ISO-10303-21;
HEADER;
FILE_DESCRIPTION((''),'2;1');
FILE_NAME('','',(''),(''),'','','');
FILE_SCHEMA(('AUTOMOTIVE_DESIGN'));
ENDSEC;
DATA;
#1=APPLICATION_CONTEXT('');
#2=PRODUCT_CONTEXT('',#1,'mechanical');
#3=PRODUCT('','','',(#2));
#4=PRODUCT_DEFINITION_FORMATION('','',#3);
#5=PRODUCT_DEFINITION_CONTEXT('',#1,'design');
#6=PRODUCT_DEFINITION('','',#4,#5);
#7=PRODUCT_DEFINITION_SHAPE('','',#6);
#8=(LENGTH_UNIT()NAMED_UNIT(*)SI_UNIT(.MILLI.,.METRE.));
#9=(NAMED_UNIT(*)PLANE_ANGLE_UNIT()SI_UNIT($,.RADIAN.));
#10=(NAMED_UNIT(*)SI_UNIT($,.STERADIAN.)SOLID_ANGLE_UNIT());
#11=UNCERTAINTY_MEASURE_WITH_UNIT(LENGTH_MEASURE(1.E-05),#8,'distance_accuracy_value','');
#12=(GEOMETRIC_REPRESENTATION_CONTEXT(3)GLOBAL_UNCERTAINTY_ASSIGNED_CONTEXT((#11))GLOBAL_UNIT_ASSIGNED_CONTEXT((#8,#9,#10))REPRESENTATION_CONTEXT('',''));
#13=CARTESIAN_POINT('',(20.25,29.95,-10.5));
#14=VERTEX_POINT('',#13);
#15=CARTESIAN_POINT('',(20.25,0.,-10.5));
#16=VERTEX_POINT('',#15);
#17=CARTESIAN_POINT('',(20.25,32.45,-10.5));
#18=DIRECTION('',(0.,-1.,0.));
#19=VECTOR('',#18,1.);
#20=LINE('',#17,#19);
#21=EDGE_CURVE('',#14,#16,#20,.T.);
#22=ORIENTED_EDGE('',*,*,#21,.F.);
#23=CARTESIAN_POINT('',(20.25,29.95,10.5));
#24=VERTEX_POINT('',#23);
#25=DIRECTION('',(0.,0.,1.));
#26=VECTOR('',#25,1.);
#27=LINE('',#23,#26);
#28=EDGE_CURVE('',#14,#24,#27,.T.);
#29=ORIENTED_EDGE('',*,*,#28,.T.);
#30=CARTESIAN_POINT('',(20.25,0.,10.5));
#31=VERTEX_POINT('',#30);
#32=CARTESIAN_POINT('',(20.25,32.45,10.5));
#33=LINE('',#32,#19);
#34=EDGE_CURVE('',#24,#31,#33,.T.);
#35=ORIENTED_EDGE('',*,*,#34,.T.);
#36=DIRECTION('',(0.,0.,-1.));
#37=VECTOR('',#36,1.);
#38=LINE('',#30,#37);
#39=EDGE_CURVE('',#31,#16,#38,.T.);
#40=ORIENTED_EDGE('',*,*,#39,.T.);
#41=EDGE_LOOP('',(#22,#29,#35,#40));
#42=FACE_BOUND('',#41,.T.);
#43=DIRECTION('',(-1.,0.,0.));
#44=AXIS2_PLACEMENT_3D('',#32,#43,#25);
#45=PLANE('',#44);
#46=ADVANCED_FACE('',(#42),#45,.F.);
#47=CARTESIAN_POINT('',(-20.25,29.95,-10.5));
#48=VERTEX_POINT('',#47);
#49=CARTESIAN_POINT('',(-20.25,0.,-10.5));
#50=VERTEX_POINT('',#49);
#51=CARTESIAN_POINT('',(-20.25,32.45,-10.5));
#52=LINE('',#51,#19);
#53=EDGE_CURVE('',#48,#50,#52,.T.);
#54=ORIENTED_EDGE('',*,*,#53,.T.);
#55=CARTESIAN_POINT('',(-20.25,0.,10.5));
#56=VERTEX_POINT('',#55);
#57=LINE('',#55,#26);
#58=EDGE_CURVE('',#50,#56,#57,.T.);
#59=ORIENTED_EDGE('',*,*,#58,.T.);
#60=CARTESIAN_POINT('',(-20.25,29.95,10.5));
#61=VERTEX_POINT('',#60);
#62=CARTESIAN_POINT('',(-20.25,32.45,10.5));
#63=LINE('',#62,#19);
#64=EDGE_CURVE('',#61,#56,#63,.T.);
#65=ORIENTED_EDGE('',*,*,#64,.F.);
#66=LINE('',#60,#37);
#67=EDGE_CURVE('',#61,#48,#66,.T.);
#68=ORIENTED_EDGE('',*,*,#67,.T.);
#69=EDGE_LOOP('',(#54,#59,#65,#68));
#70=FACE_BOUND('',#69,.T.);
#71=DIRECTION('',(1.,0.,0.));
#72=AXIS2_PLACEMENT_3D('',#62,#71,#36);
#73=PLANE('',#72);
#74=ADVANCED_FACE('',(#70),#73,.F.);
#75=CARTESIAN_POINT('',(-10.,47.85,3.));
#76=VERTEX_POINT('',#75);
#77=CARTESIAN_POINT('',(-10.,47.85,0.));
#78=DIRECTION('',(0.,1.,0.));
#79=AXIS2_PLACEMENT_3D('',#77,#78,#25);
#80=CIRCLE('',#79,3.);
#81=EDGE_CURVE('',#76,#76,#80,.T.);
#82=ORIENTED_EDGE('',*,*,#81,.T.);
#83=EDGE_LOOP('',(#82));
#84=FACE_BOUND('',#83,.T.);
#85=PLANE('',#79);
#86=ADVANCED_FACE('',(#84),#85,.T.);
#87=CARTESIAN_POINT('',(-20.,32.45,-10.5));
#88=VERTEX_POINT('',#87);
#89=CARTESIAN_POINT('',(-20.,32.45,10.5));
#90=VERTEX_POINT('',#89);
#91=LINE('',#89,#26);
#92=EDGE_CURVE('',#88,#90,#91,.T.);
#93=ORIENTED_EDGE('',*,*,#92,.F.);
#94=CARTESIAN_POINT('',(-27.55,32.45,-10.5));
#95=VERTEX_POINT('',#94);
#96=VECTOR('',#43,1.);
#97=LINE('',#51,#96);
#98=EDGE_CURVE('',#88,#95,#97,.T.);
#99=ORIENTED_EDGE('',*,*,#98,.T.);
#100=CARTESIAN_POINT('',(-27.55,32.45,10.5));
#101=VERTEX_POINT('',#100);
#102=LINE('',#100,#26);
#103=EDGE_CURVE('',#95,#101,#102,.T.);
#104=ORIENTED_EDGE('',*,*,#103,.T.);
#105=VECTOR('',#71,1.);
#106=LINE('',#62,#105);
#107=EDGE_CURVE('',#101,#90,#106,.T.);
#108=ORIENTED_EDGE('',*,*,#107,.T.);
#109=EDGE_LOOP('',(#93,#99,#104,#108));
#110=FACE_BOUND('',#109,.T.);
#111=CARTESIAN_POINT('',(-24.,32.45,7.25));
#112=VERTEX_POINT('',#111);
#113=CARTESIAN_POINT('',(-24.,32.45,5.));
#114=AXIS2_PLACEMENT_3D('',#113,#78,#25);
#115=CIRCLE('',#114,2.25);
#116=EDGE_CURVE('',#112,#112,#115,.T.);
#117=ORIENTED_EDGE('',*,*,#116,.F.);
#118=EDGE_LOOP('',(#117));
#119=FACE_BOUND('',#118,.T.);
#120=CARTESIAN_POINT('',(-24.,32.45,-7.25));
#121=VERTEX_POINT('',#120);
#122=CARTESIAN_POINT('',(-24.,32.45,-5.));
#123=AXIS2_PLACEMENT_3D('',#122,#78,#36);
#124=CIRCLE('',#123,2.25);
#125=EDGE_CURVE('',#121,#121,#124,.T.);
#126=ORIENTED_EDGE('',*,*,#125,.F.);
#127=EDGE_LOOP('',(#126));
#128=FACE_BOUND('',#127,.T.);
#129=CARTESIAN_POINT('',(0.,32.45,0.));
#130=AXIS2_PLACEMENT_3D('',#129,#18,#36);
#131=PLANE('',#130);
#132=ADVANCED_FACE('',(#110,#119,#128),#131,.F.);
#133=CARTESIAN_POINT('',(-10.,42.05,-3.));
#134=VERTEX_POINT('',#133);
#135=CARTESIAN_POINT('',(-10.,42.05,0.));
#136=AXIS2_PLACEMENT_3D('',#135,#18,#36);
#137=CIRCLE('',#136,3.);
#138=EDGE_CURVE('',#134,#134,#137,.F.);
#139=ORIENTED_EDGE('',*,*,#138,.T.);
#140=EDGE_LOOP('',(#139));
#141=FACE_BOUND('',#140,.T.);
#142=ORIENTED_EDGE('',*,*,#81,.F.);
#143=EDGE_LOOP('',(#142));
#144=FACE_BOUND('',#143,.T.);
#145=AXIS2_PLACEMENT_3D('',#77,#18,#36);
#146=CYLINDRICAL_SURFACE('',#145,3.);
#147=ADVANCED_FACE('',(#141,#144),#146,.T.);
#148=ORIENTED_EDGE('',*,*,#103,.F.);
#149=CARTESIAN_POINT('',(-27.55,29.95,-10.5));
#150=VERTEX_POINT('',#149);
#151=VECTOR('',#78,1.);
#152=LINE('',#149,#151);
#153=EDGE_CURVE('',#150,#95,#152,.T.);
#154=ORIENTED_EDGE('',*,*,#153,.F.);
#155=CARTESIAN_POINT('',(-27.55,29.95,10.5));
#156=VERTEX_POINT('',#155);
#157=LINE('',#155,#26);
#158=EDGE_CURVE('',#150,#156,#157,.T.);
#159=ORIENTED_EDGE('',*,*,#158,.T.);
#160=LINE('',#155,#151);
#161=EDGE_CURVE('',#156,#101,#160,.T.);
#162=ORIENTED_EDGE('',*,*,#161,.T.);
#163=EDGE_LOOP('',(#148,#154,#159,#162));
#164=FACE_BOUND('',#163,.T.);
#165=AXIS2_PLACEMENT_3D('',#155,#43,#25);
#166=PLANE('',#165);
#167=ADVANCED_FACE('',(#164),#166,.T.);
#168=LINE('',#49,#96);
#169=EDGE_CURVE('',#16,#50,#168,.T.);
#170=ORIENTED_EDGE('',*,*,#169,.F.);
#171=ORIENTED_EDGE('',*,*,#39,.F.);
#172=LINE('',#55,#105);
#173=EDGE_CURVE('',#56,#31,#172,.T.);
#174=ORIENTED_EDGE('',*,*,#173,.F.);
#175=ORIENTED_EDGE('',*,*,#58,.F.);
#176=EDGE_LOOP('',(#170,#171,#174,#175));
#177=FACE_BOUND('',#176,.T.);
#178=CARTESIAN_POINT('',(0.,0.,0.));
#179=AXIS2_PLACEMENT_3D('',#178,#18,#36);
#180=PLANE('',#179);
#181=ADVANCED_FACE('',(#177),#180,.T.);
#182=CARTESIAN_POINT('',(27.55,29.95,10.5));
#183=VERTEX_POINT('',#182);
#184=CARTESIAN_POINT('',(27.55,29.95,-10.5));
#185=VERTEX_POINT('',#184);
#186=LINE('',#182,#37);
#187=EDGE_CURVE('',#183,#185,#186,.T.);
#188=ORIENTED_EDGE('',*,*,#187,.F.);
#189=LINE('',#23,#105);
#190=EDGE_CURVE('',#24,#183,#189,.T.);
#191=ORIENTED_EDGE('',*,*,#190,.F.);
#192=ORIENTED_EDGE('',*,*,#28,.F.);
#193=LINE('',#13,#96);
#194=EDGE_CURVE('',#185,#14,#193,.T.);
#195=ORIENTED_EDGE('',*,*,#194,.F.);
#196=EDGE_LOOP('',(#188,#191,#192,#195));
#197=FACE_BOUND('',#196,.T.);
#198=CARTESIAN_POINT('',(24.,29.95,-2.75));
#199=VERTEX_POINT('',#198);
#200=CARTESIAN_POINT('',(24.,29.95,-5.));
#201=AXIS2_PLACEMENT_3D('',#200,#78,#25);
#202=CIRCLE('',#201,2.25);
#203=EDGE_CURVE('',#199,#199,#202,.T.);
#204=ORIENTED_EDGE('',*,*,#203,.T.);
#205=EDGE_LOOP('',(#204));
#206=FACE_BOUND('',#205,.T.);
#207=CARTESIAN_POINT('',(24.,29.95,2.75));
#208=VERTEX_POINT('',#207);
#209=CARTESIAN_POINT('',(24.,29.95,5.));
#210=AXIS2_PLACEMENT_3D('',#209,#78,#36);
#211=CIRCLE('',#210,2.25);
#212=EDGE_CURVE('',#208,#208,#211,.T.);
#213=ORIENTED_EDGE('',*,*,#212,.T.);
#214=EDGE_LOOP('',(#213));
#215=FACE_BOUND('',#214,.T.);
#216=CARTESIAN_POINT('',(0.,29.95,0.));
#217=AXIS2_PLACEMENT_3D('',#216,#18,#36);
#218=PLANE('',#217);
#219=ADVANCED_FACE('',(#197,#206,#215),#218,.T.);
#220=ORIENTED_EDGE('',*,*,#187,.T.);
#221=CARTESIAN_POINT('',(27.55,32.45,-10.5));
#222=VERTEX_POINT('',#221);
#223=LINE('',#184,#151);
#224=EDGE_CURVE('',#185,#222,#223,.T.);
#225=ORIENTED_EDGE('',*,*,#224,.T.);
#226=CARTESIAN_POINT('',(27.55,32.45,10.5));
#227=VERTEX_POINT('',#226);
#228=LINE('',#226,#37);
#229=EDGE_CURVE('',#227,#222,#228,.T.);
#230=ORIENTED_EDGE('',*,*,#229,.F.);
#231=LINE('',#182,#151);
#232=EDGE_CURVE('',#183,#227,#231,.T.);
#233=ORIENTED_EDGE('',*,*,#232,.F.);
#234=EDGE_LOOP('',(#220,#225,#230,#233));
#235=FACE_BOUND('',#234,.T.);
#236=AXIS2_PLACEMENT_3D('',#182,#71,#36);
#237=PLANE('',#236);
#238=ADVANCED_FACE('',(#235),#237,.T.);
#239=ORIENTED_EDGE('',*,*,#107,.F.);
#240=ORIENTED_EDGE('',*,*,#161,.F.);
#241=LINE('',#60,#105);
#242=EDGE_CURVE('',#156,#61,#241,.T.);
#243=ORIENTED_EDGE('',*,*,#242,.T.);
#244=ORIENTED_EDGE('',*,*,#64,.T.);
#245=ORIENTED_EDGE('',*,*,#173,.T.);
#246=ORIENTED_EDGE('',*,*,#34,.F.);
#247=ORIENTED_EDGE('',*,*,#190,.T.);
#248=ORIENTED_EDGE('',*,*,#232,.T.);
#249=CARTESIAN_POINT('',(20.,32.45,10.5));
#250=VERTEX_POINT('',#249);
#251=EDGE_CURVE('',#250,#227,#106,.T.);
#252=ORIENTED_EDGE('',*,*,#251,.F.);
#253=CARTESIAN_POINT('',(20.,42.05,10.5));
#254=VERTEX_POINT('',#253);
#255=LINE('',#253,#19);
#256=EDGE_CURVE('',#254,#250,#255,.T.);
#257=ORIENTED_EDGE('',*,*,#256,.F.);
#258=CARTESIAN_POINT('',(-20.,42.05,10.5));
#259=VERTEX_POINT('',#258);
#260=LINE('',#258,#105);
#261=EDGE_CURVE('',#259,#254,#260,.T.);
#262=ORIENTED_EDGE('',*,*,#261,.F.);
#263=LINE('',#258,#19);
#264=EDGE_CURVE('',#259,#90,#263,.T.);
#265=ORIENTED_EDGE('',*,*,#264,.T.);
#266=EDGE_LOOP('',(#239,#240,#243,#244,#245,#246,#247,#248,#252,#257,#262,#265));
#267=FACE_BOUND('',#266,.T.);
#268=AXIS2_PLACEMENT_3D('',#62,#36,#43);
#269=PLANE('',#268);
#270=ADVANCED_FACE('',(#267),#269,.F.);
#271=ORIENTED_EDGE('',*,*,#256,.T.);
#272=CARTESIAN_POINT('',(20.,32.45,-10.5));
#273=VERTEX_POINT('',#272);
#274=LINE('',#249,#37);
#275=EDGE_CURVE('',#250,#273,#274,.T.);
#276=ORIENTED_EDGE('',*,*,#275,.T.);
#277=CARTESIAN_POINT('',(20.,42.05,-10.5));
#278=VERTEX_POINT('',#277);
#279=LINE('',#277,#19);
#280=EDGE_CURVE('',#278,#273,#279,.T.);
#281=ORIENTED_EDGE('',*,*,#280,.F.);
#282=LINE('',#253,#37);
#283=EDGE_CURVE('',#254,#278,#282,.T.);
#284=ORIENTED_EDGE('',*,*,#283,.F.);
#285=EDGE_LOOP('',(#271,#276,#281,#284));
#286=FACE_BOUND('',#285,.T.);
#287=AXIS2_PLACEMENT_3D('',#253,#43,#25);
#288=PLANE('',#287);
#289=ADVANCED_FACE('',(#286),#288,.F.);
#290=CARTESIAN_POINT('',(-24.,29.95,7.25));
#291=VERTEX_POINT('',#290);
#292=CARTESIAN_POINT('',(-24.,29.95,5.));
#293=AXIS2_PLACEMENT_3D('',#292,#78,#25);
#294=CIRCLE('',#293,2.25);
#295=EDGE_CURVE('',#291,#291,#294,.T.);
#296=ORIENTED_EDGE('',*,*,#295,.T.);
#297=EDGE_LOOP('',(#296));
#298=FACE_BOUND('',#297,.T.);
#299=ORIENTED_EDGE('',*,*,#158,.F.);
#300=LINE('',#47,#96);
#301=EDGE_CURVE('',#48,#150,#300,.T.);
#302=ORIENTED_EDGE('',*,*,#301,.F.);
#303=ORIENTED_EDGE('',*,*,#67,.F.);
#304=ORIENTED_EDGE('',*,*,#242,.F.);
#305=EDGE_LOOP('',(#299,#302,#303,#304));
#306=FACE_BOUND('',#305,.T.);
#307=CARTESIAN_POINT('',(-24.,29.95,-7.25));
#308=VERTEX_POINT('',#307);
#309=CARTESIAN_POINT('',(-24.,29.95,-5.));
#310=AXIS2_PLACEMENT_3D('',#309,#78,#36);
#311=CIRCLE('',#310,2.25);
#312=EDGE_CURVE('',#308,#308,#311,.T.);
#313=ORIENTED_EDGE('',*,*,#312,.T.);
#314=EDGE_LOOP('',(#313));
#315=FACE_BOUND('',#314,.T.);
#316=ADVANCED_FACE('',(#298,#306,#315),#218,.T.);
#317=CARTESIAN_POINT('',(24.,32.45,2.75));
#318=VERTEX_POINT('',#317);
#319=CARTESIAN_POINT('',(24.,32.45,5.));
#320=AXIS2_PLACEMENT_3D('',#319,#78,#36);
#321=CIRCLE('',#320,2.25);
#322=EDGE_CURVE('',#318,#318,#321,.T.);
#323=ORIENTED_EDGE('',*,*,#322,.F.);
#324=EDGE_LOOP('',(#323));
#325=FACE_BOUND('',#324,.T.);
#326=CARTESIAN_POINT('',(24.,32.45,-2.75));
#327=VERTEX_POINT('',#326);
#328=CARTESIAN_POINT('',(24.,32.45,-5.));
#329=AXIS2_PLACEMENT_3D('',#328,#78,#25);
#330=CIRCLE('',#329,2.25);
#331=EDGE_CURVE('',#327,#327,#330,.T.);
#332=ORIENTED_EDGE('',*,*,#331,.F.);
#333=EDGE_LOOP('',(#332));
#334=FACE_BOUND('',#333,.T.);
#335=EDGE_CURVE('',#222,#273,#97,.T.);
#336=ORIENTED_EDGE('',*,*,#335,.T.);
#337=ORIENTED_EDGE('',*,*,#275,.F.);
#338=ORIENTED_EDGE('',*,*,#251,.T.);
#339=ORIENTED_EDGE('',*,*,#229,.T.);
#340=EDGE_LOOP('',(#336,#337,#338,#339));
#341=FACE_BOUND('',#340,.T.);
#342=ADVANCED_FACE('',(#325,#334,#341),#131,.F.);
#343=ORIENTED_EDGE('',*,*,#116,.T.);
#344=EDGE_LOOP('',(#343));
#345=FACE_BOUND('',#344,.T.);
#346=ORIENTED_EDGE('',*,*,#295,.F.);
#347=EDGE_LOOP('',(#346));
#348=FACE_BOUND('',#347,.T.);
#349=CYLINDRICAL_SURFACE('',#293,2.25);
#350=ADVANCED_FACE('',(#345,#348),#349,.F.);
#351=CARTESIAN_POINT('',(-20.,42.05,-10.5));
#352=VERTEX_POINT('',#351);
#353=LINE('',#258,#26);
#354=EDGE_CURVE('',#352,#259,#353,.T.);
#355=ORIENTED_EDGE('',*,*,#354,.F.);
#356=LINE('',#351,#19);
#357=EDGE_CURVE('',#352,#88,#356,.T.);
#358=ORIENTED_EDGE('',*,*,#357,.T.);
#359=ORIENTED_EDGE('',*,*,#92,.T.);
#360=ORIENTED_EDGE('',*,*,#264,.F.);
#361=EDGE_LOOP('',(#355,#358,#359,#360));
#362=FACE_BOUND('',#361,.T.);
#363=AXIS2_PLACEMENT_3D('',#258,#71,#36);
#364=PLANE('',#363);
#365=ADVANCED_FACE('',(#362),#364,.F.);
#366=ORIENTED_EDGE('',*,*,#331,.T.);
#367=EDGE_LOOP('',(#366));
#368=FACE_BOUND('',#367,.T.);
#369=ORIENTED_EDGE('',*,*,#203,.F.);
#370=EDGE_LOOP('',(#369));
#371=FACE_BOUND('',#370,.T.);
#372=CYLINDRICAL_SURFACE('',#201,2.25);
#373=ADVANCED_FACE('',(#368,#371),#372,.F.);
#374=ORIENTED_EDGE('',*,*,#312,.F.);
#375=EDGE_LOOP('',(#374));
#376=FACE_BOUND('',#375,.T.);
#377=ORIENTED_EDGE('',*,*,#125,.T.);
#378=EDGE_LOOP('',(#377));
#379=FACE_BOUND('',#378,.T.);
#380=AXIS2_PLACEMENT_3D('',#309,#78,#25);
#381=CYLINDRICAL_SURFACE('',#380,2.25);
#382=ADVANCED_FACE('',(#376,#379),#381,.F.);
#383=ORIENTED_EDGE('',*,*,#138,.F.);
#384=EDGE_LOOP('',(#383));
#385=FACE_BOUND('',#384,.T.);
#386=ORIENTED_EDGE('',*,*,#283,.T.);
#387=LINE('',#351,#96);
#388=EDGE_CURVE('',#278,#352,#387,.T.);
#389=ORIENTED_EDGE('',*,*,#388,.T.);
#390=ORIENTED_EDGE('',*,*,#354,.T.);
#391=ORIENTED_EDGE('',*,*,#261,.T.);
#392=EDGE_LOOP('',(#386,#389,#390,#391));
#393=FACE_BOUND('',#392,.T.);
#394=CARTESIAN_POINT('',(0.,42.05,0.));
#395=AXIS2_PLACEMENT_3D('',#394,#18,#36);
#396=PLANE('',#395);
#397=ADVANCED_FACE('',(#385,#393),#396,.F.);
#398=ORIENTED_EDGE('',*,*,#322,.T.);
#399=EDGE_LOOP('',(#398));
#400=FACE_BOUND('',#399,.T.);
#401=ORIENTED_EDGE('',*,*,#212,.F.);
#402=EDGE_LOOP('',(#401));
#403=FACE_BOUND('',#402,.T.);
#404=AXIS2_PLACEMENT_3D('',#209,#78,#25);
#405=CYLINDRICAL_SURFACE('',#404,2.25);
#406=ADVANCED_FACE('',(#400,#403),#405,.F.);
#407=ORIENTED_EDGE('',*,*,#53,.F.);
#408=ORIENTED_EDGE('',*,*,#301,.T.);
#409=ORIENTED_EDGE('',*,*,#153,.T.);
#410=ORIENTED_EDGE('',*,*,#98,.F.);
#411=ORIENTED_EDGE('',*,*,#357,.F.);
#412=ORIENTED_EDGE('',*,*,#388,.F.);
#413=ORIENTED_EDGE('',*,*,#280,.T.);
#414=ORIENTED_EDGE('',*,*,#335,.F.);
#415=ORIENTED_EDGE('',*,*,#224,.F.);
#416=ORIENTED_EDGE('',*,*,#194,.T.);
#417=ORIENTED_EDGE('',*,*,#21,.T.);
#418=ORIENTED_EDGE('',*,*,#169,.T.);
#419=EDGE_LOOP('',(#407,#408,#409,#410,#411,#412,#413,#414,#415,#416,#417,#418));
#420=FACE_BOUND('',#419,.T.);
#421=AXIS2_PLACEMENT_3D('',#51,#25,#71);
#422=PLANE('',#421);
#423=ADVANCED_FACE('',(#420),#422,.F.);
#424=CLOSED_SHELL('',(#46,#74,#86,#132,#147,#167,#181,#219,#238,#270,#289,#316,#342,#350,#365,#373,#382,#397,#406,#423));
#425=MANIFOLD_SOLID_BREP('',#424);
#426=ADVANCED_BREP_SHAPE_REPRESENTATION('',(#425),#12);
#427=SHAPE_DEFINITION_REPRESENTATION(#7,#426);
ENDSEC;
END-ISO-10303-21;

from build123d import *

# Parameters (mm, degrees)
SKETCH_1_W      = 40.5
SKETCH_1_H      = 21
EXTRUDE_1_DEPTH = 32.45
SKETCH_2_W      = 7.3
SKETCH_2_H      = 21
SKETCH_2_R      = 2.25
EXTRUDE_2_DEPTH = 2.5
SKETCH_3_W      = 40
SKETCH_3_H      = 21
EXTRUDE_3_DEPTH = 9.6
SKETCH_4_R      = 3
EXTRUDE_4_DEPTH = 5.8


with BuildPart() as part:
    # 草图1 → 凸台-拉伸1 (new body)
    with BuildSketch(Plane(origin=(0, 0, 0), x_dir=(1, 0, 0), z_dir=(0, 1, 0))):
        Rectangle(SKETCH_1_W, SKETCH_1_H)
    extrude(amount=EXTRUDE_1_DEPTH)

    # 草图2 → 凸台-拉伸2 (add)
    # profile 1 of 2: a face of its own
    with BuildSketch(Plane(origin=(0, 32.45, 0), x_dir=(1, 0, 0), z_dir=(0, 1, 0))):
        with Locations((23.9, 0)):
            Rectangle(SKETCH_2_W, SKETCH_2_H)
        with Locations(Location((24, 5, 0), (0, 0, 270))):
            Circle(SKETCH_2_R, mode=Mode.SUBTRACT)
        with Locations(Location((24, -5, 0), (0, 0, 90))):
            Circle(SKETCH_2_R, mode=Mode.SUBTRACT)
    # profile 2 of 2: a face of its own
    with BuildSketch(Plane(origin=(0, 32.45, 0), x_dir=(1, 0, 0), z_dir=(0, 1, 0))):
        with Locations((-23.9, 0)):
            Rectangle(SKETCH_2_W, SKETCH_2_H)
        with Locations(Location((-24, -5, 0), (0, 0, 270))):
            Circle(SKETCH_2_R, mode=Mode.SUBTRACT)
        with Locations(Location((-24, 5, 0), (0, 0, 90))):
            Circle(SKETCH_2_R, mode=Mode.SUBTRACT)
    extrude(amount=-EXTRUDE_2_DEPTH)

    # 草图3 → 凸台-拉伸3 (add)
    with BuildSketch(Plane(origin=(0, 32.45, 0), x_dir=(1, 0, 0), z_dir=(0, 1, 0))):
        Rectangle(SKETCH_3_W, SKETCH_3_H)
    extrude(amount=EXTRUDE_3_DEPTH)

    # 草图4 → 凸台-拉伸4 (add)
    with BuildSketch(Plane(origin=(0, 42.05, 0), x_dir=(1, 0, 0), z_dir=(0, 1, 0))):
        with Locations(Location((-10, 0, 0), (0, 0, 90))):
            Circle(SKETCH_4_R)
    extrude(amount=EXTRUDE_4_DEPTH)


solid = part.part
